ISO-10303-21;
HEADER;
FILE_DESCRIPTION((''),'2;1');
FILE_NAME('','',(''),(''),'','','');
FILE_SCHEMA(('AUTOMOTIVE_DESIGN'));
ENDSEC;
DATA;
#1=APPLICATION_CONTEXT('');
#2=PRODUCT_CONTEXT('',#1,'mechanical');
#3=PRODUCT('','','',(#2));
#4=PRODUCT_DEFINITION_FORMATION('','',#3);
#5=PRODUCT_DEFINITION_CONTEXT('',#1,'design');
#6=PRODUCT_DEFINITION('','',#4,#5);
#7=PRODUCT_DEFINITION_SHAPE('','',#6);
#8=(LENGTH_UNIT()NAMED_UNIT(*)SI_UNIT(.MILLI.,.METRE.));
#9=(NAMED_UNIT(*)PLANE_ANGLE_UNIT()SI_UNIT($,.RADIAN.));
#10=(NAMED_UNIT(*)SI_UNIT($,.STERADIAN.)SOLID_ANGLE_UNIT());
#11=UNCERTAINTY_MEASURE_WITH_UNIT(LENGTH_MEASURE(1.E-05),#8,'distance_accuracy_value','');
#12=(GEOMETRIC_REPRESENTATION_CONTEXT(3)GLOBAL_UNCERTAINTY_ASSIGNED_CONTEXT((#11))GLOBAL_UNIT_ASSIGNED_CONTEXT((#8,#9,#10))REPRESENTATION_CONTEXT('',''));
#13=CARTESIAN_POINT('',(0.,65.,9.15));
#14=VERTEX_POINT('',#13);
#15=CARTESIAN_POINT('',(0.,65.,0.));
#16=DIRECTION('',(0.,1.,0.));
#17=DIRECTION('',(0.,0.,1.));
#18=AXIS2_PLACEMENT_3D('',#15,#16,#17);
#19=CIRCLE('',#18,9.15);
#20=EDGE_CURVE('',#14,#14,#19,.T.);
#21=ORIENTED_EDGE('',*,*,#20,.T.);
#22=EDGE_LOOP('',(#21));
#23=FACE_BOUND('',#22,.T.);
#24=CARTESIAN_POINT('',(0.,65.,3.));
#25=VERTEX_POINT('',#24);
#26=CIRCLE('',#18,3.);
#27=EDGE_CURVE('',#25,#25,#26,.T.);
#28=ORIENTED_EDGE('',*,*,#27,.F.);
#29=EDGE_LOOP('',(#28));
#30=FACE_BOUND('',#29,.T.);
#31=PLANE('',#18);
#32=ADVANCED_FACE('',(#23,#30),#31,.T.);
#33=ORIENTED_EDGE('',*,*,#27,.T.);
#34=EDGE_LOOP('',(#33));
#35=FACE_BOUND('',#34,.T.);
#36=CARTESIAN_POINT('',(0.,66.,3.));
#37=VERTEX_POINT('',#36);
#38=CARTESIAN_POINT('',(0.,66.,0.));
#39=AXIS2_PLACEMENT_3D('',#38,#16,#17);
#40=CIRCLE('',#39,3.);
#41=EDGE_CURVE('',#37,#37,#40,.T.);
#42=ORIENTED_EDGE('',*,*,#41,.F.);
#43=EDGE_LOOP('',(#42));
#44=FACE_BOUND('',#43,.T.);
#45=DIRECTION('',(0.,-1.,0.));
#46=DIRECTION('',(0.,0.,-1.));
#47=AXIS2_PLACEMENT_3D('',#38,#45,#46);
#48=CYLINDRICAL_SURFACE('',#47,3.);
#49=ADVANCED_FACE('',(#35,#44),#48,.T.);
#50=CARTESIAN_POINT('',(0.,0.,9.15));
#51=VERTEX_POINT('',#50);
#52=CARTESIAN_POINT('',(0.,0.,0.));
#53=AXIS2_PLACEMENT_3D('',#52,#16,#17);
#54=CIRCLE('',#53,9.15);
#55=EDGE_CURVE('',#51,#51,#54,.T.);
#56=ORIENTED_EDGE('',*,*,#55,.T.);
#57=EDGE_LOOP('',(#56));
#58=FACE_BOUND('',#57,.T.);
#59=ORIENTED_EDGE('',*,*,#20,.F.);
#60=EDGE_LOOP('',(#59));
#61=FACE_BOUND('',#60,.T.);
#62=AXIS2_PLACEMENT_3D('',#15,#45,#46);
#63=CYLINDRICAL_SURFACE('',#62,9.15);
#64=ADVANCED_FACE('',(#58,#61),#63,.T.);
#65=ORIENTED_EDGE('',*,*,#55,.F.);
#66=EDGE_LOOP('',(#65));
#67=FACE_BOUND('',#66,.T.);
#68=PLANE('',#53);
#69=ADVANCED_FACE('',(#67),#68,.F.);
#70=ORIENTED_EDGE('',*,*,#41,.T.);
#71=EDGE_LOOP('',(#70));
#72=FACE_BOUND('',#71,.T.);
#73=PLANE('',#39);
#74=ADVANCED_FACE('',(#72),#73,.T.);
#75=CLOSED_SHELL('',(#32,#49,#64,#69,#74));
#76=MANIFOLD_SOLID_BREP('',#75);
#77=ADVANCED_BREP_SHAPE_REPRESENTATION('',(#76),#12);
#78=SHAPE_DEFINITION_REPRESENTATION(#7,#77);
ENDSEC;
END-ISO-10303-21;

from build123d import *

# Parameters (mm, degrees)
SKETCH_1_R      = 9.15
EXTRUDE_1_DEPTH = 65
SKETCH_2_R      = 3
EXTRUDE_2_DEPTH = 1


with BuildPart() as part:
    # 草图1 → 凸台-拉伸1 (new body)
    with BuildSketch(Plane(origin=(0, 0, 0), x_dir=(1, 0, 0), z_dir=(0, 1, 0))):
        with Locations(Location((0, 0, 0), (0, 0, 270))):
            Circle(SKETCH_1_R)
    extrude(amount=EXTRUDE_1_DEPTH)

    # 草图2 → 凸台-拉伸2 (add)
    with BuildSketch(Plane(origin=(0, 65, 0), x_dir=(1, 0, 0), z_dir=(0, 1, 0))):
        with Locations(Location((0, 0, 0), (0, 0, 270))):
            Circle(SKETCH_2_R)
    extrude(amount=EXTRUDE_2_DEPTH)


solid = part.part
